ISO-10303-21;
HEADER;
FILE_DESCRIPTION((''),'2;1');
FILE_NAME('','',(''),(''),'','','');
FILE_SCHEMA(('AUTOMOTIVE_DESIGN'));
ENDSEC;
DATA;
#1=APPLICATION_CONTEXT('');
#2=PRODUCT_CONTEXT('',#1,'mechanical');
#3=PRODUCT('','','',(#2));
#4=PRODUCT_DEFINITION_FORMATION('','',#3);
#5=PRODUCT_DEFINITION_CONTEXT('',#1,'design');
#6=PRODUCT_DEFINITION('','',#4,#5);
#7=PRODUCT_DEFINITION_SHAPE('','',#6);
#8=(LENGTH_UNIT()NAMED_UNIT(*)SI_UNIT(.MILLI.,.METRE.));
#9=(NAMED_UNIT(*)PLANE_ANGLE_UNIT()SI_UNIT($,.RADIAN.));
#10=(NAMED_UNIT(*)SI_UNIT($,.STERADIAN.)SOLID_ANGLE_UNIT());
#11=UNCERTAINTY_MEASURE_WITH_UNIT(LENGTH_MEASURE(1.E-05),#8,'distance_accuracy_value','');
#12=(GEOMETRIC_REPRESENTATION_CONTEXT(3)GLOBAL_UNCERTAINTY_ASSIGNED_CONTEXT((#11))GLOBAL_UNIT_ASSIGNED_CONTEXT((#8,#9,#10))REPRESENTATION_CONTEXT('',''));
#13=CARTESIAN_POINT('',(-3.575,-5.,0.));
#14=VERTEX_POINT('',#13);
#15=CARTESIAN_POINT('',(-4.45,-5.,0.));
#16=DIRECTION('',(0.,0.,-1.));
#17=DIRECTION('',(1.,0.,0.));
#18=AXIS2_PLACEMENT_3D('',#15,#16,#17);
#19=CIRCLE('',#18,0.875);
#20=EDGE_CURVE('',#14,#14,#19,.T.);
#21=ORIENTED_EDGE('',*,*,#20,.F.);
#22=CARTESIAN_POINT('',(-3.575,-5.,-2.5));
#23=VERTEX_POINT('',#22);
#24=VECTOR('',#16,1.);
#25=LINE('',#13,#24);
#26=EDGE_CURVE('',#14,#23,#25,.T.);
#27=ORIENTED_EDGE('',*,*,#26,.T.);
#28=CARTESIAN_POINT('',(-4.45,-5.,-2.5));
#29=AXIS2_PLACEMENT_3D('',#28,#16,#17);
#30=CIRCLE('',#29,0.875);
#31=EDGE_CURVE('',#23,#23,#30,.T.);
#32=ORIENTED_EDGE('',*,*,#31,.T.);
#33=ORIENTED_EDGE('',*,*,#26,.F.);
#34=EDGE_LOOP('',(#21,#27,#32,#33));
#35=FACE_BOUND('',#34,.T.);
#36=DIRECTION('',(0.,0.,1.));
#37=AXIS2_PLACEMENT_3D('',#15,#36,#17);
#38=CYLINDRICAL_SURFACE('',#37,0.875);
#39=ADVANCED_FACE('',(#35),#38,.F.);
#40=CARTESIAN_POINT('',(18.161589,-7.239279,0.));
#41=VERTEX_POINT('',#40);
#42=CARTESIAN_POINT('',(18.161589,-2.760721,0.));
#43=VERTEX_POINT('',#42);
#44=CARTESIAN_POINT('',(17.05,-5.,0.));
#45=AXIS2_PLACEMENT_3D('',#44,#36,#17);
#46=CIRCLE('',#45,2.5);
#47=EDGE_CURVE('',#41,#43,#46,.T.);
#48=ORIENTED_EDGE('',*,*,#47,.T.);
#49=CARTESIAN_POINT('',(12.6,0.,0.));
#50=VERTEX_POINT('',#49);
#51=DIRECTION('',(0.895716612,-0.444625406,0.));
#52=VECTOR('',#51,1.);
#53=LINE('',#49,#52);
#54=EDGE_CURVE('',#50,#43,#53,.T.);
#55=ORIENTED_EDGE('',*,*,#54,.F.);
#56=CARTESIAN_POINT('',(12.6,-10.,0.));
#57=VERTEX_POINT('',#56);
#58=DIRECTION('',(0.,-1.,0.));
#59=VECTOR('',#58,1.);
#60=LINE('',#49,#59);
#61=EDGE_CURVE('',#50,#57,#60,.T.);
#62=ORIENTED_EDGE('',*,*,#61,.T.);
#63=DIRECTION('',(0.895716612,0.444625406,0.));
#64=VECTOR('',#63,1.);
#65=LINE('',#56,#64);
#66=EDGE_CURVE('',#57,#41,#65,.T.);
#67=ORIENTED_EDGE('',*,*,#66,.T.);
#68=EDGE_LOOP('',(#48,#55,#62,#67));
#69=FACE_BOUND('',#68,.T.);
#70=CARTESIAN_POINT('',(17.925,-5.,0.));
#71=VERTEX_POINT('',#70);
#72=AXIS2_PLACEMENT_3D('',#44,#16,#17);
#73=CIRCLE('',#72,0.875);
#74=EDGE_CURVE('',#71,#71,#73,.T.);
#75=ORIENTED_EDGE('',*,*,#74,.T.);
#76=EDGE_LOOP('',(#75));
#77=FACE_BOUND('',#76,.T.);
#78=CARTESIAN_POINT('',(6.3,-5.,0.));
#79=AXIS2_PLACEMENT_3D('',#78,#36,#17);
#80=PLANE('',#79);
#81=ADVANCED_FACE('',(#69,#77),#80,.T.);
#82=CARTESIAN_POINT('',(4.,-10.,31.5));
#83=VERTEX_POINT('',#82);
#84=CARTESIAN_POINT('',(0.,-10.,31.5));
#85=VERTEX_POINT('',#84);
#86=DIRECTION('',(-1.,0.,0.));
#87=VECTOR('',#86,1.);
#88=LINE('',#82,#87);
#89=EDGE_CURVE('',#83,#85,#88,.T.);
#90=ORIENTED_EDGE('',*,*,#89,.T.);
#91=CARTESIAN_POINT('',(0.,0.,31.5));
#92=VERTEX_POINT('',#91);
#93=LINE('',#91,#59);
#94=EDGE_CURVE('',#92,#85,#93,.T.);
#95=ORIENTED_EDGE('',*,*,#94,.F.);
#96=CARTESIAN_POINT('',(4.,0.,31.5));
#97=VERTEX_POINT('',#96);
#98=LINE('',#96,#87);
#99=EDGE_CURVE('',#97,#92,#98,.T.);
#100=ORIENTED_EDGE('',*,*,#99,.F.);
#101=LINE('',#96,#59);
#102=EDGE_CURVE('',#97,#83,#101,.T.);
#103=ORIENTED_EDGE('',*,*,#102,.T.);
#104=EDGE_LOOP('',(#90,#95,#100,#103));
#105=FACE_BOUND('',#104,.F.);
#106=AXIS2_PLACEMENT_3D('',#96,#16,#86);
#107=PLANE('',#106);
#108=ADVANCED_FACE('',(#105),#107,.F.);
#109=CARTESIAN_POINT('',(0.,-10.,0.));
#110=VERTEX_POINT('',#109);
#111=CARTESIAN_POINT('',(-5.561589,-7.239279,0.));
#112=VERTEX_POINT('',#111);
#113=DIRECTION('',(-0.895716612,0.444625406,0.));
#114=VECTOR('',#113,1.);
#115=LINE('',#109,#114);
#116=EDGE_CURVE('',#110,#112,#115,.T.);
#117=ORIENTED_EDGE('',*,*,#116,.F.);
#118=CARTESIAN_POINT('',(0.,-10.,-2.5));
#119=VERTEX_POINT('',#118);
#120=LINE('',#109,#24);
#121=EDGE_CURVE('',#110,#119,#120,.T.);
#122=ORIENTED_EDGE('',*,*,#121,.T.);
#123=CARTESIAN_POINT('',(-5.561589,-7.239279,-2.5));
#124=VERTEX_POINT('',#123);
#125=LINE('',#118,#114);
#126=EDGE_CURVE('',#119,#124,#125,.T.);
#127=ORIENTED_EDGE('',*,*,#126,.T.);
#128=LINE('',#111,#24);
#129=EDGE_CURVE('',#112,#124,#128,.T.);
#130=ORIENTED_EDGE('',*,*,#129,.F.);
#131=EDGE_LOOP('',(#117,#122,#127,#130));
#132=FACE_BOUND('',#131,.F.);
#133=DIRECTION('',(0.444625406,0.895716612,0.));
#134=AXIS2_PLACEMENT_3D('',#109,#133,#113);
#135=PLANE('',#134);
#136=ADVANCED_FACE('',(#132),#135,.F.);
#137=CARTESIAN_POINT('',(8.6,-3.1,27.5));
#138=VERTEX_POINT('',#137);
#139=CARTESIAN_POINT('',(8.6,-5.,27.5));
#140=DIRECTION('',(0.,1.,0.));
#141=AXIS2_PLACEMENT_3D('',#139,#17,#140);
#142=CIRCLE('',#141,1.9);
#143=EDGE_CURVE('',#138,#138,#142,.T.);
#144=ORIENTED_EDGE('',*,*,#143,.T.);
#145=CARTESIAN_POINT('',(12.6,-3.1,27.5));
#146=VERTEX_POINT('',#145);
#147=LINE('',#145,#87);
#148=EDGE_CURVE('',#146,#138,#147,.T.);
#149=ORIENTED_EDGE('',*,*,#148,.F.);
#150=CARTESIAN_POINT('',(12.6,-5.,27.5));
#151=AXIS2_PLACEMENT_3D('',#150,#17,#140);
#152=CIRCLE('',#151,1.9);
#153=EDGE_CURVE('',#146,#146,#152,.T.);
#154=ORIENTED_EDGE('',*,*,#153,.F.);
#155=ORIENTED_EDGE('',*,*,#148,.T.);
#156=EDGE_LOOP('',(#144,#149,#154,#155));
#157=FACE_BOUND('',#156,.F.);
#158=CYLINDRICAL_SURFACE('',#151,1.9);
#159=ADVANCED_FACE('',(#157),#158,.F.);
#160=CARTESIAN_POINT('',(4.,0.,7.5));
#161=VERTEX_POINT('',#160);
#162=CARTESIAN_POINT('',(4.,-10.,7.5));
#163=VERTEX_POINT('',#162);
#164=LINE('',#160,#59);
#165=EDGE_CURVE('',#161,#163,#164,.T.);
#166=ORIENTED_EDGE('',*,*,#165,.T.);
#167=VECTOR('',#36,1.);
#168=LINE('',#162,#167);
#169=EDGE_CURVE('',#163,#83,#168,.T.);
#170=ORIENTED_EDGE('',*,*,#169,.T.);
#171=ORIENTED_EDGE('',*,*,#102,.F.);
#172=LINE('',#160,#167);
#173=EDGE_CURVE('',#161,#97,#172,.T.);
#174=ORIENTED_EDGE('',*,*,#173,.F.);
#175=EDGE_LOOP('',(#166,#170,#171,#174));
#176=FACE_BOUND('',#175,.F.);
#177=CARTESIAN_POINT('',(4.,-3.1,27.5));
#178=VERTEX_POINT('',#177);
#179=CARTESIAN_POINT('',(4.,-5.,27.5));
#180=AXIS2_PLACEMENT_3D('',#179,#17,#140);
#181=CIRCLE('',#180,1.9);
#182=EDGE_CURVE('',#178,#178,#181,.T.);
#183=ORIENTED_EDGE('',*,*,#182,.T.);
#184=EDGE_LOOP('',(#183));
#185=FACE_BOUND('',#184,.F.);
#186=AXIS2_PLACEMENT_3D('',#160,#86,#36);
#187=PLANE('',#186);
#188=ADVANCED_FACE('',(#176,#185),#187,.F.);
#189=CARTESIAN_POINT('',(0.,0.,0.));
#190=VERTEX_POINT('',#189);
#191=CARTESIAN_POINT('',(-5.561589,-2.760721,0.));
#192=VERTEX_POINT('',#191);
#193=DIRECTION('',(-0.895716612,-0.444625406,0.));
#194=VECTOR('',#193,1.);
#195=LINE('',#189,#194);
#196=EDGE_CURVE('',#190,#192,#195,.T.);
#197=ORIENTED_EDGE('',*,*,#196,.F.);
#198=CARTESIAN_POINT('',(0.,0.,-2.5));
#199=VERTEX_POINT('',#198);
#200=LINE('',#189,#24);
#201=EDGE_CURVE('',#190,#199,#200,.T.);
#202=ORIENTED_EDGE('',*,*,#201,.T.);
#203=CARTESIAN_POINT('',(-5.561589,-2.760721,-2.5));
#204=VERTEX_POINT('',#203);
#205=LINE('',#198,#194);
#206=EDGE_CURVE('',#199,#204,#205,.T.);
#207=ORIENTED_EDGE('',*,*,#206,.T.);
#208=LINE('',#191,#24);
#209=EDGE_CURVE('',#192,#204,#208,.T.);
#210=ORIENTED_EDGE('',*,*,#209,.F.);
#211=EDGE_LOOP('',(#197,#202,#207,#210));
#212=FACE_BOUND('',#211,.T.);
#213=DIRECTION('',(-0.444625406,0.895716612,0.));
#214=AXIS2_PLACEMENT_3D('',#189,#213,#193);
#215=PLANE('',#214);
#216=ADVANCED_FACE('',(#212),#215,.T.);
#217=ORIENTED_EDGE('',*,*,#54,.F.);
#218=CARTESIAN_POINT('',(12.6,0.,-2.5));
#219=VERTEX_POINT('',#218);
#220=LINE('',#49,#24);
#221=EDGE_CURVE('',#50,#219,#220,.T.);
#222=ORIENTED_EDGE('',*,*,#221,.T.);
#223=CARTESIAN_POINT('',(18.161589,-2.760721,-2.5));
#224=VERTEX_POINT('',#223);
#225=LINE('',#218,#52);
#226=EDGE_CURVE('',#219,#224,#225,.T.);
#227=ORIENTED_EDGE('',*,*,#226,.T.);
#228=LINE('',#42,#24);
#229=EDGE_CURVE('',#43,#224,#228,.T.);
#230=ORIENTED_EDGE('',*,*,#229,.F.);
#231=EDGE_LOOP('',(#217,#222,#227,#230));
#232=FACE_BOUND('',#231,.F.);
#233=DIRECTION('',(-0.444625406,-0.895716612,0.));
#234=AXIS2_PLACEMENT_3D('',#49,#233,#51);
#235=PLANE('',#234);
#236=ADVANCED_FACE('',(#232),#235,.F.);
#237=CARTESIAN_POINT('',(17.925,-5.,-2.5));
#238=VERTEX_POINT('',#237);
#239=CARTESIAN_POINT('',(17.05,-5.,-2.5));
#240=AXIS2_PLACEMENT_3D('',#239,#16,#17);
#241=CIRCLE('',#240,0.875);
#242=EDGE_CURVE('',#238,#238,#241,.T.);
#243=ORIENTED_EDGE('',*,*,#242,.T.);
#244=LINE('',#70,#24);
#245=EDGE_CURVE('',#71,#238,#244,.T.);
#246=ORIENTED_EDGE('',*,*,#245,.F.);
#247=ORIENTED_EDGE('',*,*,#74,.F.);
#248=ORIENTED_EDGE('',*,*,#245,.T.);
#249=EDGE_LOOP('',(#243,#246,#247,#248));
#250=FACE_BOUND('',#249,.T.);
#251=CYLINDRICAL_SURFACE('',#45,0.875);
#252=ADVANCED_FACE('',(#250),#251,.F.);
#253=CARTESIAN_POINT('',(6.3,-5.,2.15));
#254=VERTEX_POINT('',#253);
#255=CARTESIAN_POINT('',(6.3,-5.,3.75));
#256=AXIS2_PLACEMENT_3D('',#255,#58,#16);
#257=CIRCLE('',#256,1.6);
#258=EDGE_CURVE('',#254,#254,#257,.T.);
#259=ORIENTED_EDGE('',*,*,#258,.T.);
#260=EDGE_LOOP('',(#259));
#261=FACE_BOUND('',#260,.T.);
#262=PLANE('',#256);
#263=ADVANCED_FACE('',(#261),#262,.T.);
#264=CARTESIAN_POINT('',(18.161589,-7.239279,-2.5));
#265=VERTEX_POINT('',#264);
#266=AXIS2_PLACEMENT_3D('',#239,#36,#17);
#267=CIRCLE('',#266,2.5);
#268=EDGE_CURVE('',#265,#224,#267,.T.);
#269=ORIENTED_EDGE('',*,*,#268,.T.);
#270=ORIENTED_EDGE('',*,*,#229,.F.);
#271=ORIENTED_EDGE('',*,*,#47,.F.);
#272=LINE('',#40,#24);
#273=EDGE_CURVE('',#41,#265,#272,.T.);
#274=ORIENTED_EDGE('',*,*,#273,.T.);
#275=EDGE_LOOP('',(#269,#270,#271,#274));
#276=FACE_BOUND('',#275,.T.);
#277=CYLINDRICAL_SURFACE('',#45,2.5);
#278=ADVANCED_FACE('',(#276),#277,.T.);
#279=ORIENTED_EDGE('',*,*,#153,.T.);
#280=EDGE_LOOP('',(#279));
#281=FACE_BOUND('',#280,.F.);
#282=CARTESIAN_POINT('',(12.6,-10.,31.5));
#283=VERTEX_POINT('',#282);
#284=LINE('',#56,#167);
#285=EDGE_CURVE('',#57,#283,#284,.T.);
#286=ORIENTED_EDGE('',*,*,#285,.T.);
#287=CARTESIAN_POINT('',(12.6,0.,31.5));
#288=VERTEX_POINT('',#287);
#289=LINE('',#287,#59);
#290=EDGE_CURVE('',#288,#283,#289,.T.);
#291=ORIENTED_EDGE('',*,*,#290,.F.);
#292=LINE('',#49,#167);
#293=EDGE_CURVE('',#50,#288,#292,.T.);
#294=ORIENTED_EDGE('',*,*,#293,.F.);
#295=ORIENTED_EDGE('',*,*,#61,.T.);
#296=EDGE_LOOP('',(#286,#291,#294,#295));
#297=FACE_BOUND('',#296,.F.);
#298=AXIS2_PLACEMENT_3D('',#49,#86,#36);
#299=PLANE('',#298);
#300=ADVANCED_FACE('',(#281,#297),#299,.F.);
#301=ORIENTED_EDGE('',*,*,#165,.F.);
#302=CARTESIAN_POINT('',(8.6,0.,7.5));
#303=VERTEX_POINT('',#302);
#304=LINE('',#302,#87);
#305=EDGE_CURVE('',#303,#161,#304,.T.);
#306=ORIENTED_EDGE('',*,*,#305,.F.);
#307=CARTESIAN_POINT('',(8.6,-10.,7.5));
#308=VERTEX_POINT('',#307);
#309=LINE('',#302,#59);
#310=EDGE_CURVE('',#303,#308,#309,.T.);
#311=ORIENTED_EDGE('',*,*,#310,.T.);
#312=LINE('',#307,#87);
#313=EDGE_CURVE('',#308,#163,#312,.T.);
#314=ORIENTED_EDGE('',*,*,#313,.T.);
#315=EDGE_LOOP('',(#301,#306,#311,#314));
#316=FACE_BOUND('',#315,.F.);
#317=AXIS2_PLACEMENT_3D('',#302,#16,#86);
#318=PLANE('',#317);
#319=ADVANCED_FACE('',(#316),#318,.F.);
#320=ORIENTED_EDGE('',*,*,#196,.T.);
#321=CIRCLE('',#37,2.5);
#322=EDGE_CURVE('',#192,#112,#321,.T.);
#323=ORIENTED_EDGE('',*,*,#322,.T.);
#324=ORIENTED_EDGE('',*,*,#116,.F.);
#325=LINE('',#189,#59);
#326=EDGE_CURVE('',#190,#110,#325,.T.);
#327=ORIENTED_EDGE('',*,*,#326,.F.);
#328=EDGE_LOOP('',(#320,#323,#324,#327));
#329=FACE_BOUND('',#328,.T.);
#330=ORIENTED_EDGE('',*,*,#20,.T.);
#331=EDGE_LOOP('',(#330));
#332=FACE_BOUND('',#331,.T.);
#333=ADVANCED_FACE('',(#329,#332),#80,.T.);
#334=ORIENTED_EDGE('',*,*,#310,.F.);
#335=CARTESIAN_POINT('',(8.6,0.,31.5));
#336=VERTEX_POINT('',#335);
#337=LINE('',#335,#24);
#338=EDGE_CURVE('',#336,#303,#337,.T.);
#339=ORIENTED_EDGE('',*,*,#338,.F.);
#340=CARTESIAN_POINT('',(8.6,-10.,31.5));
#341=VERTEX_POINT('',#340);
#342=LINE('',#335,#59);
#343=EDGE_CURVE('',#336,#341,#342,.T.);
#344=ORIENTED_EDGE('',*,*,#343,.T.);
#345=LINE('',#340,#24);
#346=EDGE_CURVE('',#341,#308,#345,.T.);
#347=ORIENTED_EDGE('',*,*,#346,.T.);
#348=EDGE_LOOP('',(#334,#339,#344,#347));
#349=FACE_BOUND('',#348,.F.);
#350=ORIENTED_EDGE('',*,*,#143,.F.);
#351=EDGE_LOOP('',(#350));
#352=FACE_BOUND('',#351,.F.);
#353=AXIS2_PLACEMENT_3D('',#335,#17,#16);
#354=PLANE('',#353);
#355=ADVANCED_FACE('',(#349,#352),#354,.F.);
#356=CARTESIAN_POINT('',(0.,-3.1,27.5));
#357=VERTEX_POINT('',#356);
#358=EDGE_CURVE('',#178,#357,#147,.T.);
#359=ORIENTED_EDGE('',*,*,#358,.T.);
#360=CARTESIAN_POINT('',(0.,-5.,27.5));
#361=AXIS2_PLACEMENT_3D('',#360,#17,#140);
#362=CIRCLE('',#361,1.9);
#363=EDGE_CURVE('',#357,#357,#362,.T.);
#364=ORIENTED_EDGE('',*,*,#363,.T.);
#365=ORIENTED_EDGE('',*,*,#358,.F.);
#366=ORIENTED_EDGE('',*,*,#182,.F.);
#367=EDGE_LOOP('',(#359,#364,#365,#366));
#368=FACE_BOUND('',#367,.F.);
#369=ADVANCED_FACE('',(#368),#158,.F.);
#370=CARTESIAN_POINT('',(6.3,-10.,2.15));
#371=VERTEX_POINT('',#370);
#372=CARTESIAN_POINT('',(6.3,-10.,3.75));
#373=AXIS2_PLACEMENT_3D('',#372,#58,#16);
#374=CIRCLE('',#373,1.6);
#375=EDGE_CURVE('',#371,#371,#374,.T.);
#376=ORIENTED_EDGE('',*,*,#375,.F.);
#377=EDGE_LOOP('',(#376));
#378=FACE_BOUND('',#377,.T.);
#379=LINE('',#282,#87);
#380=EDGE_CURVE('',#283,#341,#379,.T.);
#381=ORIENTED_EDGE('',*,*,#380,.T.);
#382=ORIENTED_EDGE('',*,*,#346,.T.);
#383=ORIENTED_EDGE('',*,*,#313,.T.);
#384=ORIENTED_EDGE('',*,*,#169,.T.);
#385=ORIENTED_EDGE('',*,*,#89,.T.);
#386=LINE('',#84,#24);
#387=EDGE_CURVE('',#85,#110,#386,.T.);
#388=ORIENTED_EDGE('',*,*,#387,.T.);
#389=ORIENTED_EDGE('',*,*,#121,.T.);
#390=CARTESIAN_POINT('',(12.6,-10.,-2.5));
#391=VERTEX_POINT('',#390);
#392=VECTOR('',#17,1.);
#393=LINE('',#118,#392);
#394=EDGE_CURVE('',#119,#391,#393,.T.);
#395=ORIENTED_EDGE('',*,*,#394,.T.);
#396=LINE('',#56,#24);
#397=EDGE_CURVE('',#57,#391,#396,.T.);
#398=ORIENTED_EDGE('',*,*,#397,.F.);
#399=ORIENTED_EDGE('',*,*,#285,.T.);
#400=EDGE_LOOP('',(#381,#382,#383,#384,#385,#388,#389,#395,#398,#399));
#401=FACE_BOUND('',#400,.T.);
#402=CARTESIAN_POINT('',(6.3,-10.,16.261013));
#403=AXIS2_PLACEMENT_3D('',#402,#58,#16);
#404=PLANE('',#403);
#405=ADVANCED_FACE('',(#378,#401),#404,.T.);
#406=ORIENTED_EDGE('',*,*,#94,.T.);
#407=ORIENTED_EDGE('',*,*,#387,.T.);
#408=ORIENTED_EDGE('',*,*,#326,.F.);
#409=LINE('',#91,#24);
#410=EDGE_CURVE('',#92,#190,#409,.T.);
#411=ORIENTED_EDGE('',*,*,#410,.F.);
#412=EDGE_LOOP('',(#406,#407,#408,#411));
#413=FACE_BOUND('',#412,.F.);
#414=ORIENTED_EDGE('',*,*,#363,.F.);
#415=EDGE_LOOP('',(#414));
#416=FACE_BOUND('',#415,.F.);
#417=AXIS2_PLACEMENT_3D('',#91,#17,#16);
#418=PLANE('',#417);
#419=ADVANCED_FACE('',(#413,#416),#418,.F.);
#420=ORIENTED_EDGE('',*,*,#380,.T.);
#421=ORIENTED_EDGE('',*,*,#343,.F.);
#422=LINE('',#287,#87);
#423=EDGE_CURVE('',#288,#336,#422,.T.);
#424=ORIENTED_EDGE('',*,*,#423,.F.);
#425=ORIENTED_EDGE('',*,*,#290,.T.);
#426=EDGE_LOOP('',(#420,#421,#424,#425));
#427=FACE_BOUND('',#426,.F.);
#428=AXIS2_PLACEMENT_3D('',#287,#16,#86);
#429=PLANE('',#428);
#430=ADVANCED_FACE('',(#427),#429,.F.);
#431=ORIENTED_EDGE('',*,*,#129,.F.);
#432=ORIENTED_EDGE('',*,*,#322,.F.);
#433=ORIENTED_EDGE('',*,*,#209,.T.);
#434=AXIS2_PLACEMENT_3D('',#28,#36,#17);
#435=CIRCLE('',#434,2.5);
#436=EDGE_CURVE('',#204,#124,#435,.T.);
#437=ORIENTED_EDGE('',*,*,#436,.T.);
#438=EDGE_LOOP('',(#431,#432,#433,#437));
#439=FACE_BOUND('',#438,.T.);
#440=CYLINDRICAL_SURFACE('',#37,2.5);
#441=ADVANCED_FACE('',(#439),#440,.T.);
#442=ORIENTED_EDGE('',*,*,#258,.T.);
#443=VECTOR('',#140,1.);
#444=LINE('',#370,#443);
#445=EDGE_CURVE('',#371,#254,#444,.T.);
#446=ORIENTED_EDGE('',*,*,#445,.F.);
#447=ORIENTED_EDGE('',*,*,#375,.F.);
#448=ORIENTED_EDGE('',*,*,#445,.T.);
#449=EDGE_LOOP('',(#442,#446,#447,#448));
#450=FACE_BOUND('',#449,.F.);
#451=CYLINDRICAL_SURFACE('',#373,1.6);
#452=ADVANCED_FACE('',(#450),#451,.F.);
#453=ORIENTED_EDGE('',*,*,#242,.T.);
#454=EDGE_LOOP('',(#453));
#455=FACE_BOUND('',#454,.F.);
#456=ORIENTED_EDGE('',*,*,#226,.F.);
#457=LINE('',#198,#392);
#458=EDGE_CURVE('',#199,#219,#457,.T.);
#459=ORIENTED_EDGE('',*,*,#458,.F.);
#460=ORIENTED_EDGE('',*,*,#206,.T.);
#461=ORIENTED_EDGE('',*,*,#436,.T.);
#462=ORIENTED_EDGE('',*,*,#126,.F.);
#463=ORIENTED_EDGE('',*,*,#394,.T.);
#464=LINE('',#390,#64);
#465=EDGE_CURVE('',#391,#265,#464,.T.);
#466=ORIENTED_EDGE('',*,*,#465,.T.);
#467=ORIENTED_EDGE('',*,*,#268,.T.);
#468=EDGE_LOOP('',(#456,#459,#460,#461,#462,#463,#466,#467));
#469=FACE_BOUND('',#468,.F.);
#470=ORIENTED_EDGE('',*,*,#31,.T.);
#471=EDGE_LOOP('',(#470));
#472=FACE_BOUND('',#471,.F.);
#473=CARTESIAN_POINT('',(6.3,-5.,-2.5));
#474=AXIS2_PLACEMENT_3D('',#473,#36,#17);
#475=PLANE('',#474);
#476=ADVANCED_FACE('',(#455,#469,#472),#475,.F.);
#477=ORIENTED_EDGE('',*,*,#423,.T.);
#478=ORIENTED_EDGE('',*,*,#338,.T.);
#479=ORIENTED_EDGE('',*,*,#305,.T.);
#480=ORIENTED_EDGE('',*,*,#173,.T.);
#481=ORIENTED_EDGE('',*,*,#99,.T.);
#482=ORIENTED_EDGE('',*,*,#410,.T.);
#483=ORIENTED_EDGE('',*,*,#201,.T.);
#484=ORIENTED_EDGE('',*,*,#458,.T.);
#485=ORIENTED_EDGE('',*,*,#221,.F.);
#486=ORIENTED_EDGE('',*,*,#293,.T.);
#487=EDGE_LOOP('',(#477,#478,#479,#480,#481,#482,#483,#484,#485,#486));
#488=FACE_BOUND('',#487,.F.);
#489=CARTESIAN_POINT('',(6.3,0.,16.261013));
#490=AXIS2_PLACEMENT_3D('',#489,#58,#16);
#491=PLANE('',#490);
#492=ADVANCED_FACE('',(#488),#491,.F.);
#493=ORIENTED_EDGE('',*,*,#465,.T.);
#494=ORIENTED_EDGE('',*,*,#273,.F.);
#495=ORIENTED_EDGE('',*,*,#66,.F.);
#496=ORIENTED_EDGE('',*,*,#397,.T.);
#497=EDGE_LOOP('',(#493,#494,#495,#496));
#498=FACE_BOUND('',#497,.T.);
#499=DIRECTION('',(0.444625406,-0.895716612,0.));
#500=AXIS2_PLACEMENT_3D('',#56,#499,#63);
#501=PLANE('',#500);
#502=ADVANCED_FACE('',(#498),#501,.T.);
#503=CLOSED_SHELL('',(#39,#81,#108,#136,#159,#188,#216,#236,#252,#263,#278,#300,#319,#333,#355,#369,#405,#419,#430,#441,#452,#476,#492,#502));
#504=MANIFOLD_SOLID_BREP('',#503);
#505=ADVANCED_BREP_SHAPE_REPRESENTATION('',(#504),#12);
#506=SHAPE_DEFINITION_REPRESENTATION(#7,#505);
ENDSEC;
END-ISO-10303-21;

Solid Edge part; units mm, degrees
sketch "Sketch1" plane through (0, 0, 0) normal (0, -1, 0) x (1, 0, 0)
  line L0 (8.6, 31.5) -> (8.6, 7.5)
  line L1 (8.6, 7.5) -> (4, 7.5)
  line L2 (4, 7.5) -> (4, 31.5)
  line L3 (4, 31.5) -> (0, 31.5)
  line L4 (0, 31.5) -> (0, 0)
  line L5 (0, 0) -> (12.6, 0)
  line L6 (12.6, 0) -> (12.6, 31.5)
  line L7 (12.6, 31.5) -> (8.6, 31.5)
extrude "Protrusion1" add sketch "Sketch1" along normal blind 10
sketch "Sketch2" plane through (12.6, -5, 7.5) normal (1, 0, 0) x (0, 1, 0)
  circle A0 centre (0, 20) radius 1.9
extrude "Cutout1" cut sketch "Sketch2" against normal through all
sketch "Sketch3" plane through (6.3, -5, 0) normal (0, 0, -1) x (1, 0, 0)
  line L0 (-6.3, -5) -> (-11.8616, -2.2393)
  line L1 (-6.3, 5) -> (-11.8616, 2.2393)
  line L2 (-6.3, 5) -> (6.3, 5)
  line L3 (6.3, 5) -> (11.8616, 2.2393)
  line L4 (6.3, -5) -> (11.8616, -2.2393)
  line L5 (-6.3, -5) -> (6.3, -5)
  arc A0 (-11.8616, -2.2393) -> (-11.8616, 2.2393) centre (-10.75, 0) cw
  arc A1 (11.8616, 2.2393) -> (11.8616, -2.2393) centre (10.75, 0) cw
  circle A2 centre (-10.75, 0) radius 0.875
  circle A3 centre (10.75, 0) radius 0.875
extrude "ExtrudedProtrusion_4" add sketch "Sketch3" along normal blind 2.5
sketch "Sketch4" plane through (6.3, -10, 8) normal (0, -1, 0) x (0, 0, -1)
  circle A0 centre (4.25, 0) radius 1.6
extrude "ExtrudedCutout_2" cut sketch "Sketch4" against normal blind 5
